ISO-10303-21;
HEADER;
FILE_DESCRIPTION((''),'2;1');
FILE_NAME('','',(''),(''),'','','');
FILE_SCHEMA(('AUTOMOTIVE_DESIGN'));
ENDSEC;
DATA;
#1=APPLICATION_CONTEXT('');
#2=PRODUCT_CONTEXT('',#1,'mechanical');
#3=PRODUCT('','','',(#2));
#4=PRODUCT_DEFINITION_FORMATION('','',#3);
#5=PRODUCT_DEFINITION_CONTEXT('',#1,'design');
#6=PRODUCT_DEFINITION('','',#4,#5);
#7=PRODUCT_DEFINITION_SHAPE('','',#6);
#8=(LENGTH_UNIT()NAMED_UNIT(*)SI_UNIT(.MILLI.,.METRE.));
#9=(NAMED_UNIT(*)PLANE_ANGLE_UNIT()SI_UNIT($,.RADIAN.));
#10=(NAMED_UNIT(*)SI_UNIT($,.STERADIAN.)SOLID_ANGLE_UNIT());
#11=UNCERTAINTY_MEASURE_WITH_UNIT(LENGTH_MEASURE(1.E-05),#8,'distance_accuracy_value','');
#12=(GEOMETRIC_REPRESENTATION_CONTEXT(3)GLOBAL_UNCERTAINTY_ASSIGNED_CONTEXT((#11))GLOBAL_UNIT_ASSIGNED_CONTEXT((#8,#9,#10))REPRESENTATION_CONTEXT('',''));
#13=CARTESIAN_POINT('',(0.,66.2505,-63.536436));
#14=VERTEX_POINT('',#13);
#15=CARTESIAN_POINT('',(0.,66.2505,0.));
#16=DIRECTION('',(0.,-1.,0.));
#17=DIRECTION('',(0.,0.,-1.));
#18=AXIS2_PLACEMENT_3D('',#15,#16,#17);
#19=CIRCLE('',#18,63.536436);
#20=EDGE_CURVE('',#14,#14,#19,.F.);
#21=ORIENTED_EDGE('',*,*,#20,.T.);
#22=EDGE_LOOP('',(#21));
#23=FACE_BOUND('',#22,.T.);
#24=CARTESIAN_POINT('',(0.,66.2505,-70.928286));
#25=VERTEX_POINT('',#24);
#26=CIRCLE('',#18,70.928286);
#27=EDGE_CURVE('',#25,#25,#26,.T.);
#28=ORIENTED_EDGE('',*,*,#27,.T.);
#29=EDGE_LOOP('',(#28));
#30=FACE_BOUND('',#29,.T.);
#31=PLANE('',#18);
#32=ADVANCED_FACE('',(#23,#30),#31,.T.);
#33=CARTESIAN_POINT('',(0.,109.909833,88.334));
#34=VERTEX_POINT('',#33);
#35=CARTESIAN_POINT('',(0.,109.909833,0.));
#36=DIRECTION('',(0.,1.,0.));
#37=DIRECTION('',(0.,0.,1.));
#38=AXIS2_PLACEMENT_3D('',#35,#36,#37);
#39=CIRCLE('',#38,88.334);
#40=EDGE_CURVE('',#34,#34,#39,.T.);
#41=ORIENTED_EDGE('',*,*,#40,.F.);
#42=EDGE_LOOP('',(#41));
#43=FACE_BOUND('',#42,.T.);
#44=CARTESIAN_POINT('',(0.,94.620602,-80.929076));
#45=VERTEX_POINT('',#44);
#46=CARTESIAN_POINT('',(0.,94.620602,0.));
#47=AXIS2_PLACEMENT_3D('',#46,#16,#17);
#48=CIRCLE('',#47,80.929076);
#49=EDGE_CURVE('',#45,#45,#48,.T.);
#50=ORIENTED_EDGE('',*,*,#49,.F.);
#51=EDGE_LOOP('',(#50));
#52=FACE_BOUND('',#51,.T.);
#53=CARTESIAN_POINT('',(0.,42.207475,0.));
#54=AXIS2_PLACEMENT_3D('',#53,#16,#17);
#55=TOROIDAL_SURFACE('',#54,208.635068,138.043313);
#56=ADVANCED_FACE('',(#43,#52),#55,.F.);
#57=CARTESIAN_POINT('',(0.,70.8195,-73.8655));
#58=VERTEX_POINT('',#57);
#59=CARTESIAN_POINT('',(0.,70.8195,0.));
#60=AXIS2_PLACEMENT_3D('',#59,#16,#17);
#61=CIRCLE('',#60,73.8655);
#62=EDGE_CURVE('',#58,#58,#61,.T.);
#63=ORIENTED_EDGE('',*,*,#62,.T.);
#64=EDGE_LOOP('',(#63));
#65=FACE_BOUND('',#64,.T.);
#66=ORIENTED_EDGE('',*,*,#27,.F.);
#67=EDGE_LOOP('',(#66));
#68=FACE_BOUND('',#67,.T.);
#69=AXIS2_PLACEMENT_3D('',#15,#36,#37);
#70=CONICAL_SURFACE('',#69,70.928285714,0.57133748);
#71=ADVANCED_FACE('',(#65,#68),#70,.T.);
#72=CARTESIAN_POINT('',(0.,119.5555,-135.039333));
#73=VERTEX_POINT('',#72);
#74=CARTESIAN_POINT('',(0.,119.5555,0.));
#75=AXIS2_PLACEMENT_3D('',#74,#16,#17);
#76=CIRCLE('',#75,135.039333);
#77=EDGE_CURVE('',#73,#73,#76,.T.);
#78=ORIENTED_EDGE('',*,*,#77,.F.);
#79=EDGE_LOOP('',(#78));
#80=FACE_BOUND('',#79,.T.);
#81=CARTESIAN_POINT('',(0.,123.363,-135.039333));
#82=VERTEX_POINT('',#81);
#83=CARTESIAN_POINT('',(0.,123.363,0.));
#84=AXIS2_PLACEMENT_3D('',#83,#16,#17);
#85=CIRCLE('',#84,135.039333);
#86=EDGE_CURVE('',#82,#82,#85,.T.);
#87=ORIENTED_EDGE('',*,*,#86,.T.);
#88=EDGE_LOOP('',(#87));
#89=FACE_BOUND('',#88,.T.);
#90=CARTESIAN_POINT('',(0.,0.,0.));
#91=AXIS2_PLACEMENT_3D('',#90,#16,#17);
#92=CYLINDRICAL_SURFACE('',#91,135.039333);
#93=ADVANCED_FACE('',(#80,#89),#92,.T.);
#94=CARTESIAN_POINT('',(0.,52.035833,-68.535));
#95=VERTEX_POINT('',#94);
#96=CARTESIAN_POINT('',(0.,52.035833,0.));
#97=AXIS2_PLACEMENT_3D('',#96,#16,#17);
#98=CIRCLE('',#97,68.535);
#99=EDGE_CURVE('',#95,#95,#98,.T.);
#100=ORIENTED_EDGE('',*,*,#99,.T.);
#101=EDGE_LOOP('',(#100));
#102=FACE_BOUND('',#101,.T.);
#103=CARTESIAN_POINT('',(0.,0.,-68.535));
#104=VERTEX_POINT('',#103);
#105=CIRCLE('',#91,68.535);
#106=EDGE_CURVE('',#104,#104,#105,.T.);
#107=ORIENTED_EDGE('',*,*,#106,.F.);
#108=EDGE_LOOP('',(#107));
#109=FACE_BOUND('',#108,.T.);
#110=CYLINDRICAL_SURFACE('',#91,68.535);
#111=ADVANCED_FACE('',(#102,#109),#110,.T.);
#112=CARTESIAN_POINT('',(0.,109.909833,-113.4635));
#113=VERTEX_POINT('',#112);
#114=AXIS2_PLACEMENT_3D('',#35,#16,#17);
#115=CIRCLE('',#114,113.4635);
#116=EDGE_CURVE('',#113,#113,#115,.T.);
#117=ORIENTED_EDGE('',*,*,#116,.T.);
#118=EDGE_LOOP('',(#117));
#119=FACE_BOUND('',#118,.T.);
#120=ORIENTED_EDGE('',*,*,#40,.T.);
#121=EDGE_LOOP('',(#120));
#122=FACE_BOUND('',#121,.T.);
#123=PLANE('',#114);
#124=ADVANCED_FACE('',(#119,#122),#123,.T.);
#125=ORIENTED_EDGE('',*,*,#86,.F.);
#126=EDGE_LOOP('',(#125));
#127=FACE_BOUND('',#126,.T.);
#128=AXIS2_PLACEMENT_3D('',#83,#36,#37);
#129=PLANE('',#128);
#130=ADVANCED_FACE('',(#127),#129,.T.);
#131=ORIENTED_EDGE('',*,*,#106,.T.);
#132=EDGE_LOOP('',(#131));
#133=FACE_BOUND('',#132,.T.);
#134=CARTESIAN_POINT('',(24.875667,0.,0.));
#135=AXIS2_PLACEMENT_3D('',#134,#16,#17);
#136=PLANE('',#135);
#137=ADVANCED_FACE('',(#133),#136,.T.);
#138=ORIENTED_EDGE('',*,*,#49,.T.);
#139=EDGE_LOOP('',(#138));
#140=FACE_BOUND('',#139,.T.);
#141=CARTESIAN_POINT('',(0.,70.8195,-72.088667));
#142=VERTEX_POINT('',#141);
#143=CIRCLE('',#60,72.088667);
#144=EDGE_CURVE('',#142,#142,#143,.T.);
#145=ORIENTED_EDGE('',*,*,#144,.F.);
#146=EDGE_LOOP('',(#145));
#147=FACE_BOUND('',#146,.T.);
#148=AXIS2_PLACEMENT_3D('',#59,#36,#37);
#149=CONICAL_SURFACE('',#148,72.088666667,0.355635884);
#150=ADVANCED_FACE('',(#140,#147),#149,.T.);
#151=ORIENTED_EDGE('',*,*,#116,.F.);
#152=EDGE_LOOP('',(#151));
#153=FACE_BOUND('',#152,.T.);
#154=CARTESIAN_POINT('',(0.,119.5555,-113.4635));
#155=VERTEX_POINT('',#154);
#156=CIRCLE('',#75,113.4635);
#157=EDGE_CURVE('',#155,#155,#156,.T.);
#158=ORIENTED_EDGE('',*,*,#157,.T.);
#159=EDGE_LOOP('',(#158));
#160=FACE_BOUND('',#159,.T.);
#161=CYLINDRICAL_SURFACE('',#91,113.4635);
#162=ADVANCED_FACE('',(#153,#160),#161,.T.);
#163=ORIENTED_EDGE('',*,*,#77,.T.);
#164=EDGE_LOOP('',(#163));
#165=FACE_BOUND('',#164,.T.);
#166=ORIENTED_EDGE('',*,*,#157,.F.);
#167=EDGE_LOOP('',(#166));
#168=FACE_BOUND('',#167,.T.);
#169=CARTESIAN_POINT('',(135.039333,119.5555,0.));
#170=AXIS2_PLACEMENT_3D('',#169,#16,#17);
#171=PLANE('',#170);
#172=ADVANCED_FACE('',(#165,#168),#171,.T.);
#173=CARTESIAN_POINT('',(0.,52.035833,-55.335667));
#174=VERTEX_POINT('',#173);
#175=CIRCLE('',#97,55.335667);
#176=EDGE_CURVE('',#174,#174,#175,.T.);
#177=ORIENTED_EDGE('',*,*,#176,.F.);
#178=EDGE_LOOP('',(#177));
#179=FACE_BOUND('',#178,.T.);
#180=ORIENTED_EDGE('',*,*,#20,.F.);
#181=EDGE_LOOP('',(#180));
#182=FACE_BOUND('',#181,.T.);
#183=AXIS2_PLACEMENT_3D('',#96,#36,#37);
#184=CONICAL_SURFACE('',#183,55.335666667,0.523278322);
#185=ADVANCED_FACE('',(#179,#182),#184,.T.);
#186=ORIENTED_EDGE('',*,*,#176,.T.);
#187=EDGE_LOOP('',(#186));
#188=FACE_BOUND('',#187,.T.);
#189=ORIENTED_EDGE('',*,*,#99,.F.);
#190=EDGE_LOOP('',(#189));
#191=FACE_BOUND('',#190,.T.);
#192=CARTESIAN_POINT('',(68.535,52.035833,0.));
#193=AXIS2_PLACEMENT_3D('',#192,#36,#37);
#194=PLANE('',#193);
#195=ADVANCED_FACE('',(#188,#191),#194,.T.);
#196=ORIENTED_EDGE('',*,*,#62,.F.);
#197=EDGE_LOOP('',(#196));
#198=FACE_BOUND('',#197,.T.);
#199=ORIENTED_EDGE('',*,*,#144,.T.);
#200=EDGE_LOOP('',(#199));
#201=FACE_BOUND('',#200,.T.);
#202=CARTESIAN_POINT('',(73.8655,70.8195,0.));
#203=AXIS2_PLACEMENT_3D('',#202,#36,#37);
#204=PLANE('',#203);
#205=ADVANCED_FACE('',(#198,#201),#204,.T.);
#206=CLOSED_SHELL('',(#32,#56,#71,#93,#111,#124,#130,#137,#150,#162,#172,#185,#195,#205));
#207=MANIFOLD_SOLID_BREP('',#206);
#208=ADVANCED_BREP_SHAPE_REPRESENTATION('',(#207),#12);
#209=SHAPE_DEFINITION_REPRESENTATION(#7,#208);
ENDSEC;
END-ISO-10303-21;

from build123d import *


with BuildPart() as part:
    # Sketch2 → Revolve1 (revolve)
    with BuildSketch(Plane.XY):
        Polygon((24.875666667, 0), (68.535, 0), (68.535, 52.035833333), (55.335666667, 52.035833333), (63.536435897, 66.2505), (0, 66.2505), (0, 0), align=None)
    revolve(axis=Axis((0, 0, 0), (0, 1, 0)))

    # Sketch3 → Revolve2 (revolve)
    with BuildSketch(Plane.XY):
        with BuildLine():
            Line((80.92907592, 94.620601836), (72.088666667, 70.8195))
            Line((72.088666667, 70.8195), (73.8655, 70.8195))
            Line((73.8655, 70.8195), (70.928285714, 66.2505))
            Line((70.928285714, 66.2505), (0, 66.2505))
            Line((0, 66.2505), (0, 109.909833333))
            Line((0, 109.909833333), (88.334, 109.909833333))
            ThreePointArc((88.334, 109.909833333), (84.396122366, 102.379234735), (80.92907592, 94.620601836))
        make_face()
    revolve(axis=Axis((0, 0, 0), (0, 1, 0)))

    # Sketch5 → Revolve3 (revolve)
    with BuildSketch(Plane.XY):
        Polygon((0, 109.909833333), (113.4635, 109.909833333), (113.4635, 119.5555), (135.039333333, 119.5555), (135.039333333, 123.363), (0, 123.363), align=None)
    revolve(axis=Axis((0, 0, 0), (0, 1, 0)))


solid = part.part
